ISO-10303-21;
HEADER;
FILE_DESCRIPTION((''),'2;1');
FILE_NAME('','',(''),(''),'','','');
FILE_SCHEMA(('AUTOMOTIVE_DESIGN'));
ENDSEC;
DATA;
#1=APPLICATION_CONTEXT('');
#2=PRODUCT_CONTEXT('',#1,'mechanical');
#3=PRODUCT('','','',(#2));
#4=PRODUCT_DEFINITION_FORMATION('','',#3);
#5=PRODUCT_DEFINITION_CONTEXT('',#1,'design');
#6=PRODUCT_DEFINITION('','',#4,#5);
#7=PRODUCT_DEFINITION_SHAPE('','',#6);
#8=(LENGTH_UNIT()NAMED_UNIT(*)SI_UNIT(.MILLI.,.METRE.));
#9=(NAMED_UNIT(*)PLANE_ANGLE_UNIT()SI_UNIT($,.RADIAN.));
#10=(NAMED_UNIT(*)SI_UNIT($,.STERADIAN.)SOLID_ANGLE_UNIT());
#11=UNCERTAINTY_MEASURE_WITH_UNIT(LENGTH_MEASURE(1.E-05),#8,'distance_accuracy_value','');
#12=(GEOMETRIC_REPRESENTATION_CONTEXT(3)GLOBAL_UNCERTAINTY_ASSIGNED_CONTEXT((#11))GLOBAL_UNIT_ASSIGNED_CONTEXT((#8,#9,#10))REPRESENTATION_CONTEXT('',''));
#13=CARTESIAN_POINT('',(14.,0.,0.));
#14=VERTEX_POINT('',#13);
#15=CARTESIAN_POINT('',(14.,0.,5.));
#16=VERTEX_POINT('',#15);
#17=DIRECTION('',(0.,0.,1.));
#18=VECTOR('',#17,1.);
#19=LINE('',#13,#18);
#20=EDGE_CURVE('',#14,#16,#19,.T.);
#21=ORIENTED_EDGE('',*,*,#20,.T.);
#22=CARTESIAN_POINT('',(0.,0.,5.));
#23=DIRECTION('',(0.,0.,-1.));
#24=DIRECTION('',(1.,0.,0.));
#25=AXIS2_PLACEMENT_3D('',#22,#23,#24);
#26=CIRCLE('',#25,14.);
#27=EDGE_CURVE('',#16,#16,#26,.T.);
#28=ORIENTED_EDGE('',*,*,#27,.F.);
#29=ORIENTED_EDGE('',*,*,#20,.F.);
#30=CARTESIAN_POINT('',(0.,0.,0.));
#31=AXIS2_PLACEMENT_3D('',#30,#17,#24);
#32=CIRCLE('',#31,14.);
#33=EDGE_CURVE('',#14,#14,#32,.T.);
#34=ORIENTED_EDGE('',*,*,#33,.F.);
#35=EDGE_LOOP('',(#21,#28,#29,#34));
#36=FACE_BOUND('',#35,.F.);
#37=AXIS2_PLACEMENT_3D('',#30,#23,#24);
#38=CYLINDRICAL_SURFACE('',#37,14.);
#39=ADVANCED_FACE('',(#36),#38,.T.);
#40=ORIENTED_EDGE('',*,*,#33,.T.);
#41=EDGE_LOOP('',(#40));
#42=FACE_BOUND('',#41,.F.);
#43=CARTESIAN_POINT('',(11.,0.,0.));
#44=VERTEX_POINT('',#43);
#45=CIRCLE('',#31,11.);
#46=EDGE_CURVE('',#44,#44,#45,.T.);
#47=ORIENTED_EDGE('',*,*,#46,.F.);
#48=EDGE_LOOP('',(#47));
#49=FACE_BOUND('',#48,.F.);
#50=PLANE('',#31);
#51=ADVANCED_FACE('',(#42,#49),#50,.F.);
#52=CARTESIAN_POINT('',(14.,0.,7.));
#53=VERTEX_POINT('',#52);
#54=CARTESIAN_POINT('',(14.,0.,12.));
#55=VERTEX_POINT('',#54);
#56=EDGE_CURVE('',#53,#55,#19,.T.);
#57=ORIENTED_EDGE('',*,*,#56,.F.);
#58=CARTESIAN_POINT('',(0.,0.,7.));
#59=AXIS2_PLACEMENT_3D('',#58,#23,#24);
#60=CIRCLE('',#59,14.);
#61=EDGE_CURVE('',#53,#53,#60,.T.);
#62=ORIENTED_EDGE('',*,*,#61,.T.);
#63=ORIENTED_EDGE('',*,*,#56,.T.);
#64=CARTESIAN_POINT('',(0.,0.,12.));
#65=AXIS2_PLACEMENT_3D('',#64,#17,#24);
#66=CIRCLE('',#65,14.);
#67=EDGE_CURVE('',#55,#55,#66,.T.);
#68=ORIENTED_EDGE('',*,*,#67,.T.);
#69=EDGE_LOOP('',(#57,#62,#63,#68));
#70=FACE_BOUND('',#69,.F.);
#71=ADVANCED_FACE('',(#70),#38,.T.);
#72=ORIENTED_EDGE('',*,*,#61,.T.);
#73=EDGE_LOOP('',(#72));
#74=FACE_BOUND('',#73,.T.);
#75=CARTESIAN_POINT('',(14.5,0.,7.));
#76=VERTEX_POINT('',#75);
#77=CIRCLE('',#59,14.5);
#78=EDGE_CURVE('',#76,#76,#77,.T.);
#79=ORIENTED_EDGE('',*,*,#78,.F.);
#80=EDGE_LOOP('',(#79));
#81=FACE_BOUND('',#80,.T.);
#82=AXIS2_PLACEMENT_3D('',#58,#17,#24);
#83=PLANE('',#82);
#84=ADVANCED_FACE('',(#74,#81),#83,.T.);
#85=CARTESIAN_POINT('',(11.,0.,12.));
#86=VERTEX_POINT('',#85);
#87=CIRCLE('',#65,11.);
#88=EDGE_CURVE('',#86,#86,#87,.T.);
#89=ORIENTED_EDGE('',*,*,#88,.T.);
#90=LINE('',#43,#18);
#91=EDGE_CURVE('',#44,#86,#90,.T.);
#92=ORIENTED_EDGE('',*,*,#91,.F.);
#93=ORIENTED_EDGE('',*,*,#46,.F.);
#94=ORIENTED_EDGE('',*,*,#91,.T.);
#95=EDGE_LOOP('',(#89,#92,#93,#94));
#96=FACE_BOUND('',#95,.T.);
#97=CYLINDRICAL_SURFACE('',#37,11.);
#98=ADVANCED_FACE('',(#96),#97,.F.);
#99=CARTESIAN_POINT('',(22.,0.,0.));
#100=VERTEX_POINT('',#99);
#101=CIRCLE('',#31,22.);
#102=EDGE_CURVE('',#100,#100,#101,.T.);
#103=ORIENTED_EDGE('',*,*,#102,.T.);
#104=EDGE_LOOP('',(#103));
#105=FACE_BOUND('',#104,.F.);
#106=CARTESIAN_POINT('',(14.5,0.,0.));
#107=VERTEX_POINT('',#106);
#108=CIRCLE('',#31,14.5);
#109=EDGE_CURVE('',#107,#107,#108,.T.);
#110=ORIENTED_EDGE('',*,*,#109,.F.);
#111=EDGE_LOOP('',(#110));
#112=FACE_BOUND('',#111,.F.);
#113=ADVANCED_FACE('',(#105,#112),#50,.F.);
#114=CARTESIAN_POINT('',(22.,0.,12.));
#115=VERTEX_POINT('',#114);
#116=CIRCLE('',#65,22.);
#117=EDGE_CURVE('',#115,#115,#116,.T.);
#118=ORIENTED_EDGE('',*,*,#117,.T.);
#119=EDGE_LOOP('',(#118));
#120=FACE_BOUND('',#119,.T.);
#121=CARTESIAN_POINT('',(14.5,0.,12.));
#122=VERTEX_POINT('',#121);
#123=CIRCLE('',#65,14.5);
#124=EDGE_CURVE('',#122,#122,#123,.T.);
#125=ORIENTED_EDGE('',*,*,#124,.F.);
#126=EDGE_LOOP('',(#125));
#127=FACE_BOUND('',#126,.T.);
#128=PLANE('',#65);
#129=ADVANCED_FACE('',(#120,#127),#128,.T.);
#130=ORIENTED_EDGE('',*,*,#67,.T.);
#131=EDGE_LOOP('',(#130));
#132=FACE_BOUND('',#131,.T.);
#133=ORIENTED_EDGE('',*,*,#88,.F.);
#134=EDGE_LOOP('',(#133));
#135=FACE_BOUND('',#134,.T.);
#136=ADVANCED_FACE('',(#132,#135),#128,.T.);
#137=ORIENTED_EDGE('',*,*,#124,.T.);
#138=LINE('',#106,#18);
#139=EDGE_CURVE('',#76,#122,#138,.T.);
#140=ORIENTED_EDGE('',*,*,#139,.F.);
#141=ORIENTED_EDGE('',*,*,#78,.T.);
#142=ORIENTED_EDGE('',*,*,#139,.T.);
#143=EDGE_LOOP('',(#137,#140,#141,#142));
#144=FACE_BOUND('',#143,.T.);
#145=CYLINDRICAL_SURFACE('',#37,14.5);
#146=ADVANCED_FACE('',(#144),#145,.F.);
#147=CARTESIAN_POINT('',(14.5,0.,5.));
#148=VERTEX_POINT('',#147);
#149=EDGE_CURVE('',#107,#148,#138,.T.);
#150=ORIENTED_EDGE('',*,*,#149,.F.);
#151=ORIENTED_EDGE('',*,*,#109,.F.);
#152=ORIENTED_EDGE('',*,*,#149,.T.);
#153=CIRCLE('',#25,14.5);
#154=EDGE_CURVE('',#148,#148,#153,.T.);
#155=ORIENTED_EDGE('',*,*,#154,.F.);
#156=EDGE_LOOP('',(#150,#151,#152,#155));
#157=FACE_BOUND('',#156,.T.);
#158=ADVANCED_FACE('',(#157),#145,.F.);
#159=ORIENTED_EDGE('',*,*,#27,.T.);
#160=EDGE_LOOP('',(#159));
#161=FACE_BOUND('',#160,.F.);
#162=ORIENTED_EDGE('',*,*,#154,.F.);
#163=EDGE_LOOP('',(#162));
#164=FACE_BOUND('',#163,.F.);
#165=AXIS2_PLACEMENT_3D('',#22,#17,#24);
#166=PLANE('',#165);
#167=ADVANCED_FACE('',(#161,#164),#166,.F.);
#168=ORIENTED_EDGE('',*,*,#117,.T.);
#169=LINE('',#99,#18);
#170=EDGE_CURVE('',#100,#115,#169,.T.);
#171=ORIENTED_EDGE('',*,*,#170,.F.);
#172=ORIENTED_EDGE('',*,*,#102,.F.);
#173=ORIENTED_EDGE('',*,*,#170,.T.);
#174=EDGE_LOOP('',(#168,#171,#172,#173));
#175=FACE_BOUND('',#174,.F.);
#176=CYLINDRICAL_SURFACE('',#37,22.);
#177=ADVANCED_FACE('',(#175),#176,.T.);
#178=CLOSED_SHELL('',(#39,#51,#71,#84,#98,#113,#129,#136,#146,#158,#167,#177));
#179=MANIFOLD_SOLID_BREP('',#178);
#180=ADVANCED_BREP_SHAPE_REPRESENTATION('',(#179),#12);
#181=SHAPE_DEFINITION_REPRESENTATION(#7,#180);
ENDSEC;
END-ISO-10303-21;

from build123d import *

# Parameters (mm, degrees)
F1_R          = 14
F1_R_2        = 11
F2_DEPTH      = 12
F1_R_3        = 22
F1_R_4        = 14.5
F4_R          = 18.25
F4_R_2        = 12.5
F5_DEPTH      = 1
F5_DEPTH_BACK = 1


with BuildPart() as f2:
    # F1 (on Top) → F2 (new body)
    with BuildSketch(Plane.XY):
        Circle(F1_R)
        Circle(F1_R_2, mode=Mode.SUBTRACT)
    extrude(amount=F2_DEPTH)



with BuildPart() as f2b:
    # F1 (on Top) → F2, piece 2 (new body)
    with BuildSketch(Plane.XY):
        Circle(F1_R_3)
        Circle(F1_R_4, mode=Mode.SUBTRACT)
    extrude(amount=F2_DEPTH)


with BuildPart() as f2_1:
    add(f2.part)

    add(f2b.part)  # F5 merges F2b
    # F4 (on mid) → F5 (join, two sides)
    with BuildSketch(Plane.XY.offset(6)) as f5_sk:
        Circle(F4_R)
        Circle(F4_R_2, mode=Mode.SUBTRACT)
    extrude(amount=F5_DEPTH)
    extrude(f5_sk.sketch, amount=-F5_DEPTH_BACK)


solid = f2_1.part
